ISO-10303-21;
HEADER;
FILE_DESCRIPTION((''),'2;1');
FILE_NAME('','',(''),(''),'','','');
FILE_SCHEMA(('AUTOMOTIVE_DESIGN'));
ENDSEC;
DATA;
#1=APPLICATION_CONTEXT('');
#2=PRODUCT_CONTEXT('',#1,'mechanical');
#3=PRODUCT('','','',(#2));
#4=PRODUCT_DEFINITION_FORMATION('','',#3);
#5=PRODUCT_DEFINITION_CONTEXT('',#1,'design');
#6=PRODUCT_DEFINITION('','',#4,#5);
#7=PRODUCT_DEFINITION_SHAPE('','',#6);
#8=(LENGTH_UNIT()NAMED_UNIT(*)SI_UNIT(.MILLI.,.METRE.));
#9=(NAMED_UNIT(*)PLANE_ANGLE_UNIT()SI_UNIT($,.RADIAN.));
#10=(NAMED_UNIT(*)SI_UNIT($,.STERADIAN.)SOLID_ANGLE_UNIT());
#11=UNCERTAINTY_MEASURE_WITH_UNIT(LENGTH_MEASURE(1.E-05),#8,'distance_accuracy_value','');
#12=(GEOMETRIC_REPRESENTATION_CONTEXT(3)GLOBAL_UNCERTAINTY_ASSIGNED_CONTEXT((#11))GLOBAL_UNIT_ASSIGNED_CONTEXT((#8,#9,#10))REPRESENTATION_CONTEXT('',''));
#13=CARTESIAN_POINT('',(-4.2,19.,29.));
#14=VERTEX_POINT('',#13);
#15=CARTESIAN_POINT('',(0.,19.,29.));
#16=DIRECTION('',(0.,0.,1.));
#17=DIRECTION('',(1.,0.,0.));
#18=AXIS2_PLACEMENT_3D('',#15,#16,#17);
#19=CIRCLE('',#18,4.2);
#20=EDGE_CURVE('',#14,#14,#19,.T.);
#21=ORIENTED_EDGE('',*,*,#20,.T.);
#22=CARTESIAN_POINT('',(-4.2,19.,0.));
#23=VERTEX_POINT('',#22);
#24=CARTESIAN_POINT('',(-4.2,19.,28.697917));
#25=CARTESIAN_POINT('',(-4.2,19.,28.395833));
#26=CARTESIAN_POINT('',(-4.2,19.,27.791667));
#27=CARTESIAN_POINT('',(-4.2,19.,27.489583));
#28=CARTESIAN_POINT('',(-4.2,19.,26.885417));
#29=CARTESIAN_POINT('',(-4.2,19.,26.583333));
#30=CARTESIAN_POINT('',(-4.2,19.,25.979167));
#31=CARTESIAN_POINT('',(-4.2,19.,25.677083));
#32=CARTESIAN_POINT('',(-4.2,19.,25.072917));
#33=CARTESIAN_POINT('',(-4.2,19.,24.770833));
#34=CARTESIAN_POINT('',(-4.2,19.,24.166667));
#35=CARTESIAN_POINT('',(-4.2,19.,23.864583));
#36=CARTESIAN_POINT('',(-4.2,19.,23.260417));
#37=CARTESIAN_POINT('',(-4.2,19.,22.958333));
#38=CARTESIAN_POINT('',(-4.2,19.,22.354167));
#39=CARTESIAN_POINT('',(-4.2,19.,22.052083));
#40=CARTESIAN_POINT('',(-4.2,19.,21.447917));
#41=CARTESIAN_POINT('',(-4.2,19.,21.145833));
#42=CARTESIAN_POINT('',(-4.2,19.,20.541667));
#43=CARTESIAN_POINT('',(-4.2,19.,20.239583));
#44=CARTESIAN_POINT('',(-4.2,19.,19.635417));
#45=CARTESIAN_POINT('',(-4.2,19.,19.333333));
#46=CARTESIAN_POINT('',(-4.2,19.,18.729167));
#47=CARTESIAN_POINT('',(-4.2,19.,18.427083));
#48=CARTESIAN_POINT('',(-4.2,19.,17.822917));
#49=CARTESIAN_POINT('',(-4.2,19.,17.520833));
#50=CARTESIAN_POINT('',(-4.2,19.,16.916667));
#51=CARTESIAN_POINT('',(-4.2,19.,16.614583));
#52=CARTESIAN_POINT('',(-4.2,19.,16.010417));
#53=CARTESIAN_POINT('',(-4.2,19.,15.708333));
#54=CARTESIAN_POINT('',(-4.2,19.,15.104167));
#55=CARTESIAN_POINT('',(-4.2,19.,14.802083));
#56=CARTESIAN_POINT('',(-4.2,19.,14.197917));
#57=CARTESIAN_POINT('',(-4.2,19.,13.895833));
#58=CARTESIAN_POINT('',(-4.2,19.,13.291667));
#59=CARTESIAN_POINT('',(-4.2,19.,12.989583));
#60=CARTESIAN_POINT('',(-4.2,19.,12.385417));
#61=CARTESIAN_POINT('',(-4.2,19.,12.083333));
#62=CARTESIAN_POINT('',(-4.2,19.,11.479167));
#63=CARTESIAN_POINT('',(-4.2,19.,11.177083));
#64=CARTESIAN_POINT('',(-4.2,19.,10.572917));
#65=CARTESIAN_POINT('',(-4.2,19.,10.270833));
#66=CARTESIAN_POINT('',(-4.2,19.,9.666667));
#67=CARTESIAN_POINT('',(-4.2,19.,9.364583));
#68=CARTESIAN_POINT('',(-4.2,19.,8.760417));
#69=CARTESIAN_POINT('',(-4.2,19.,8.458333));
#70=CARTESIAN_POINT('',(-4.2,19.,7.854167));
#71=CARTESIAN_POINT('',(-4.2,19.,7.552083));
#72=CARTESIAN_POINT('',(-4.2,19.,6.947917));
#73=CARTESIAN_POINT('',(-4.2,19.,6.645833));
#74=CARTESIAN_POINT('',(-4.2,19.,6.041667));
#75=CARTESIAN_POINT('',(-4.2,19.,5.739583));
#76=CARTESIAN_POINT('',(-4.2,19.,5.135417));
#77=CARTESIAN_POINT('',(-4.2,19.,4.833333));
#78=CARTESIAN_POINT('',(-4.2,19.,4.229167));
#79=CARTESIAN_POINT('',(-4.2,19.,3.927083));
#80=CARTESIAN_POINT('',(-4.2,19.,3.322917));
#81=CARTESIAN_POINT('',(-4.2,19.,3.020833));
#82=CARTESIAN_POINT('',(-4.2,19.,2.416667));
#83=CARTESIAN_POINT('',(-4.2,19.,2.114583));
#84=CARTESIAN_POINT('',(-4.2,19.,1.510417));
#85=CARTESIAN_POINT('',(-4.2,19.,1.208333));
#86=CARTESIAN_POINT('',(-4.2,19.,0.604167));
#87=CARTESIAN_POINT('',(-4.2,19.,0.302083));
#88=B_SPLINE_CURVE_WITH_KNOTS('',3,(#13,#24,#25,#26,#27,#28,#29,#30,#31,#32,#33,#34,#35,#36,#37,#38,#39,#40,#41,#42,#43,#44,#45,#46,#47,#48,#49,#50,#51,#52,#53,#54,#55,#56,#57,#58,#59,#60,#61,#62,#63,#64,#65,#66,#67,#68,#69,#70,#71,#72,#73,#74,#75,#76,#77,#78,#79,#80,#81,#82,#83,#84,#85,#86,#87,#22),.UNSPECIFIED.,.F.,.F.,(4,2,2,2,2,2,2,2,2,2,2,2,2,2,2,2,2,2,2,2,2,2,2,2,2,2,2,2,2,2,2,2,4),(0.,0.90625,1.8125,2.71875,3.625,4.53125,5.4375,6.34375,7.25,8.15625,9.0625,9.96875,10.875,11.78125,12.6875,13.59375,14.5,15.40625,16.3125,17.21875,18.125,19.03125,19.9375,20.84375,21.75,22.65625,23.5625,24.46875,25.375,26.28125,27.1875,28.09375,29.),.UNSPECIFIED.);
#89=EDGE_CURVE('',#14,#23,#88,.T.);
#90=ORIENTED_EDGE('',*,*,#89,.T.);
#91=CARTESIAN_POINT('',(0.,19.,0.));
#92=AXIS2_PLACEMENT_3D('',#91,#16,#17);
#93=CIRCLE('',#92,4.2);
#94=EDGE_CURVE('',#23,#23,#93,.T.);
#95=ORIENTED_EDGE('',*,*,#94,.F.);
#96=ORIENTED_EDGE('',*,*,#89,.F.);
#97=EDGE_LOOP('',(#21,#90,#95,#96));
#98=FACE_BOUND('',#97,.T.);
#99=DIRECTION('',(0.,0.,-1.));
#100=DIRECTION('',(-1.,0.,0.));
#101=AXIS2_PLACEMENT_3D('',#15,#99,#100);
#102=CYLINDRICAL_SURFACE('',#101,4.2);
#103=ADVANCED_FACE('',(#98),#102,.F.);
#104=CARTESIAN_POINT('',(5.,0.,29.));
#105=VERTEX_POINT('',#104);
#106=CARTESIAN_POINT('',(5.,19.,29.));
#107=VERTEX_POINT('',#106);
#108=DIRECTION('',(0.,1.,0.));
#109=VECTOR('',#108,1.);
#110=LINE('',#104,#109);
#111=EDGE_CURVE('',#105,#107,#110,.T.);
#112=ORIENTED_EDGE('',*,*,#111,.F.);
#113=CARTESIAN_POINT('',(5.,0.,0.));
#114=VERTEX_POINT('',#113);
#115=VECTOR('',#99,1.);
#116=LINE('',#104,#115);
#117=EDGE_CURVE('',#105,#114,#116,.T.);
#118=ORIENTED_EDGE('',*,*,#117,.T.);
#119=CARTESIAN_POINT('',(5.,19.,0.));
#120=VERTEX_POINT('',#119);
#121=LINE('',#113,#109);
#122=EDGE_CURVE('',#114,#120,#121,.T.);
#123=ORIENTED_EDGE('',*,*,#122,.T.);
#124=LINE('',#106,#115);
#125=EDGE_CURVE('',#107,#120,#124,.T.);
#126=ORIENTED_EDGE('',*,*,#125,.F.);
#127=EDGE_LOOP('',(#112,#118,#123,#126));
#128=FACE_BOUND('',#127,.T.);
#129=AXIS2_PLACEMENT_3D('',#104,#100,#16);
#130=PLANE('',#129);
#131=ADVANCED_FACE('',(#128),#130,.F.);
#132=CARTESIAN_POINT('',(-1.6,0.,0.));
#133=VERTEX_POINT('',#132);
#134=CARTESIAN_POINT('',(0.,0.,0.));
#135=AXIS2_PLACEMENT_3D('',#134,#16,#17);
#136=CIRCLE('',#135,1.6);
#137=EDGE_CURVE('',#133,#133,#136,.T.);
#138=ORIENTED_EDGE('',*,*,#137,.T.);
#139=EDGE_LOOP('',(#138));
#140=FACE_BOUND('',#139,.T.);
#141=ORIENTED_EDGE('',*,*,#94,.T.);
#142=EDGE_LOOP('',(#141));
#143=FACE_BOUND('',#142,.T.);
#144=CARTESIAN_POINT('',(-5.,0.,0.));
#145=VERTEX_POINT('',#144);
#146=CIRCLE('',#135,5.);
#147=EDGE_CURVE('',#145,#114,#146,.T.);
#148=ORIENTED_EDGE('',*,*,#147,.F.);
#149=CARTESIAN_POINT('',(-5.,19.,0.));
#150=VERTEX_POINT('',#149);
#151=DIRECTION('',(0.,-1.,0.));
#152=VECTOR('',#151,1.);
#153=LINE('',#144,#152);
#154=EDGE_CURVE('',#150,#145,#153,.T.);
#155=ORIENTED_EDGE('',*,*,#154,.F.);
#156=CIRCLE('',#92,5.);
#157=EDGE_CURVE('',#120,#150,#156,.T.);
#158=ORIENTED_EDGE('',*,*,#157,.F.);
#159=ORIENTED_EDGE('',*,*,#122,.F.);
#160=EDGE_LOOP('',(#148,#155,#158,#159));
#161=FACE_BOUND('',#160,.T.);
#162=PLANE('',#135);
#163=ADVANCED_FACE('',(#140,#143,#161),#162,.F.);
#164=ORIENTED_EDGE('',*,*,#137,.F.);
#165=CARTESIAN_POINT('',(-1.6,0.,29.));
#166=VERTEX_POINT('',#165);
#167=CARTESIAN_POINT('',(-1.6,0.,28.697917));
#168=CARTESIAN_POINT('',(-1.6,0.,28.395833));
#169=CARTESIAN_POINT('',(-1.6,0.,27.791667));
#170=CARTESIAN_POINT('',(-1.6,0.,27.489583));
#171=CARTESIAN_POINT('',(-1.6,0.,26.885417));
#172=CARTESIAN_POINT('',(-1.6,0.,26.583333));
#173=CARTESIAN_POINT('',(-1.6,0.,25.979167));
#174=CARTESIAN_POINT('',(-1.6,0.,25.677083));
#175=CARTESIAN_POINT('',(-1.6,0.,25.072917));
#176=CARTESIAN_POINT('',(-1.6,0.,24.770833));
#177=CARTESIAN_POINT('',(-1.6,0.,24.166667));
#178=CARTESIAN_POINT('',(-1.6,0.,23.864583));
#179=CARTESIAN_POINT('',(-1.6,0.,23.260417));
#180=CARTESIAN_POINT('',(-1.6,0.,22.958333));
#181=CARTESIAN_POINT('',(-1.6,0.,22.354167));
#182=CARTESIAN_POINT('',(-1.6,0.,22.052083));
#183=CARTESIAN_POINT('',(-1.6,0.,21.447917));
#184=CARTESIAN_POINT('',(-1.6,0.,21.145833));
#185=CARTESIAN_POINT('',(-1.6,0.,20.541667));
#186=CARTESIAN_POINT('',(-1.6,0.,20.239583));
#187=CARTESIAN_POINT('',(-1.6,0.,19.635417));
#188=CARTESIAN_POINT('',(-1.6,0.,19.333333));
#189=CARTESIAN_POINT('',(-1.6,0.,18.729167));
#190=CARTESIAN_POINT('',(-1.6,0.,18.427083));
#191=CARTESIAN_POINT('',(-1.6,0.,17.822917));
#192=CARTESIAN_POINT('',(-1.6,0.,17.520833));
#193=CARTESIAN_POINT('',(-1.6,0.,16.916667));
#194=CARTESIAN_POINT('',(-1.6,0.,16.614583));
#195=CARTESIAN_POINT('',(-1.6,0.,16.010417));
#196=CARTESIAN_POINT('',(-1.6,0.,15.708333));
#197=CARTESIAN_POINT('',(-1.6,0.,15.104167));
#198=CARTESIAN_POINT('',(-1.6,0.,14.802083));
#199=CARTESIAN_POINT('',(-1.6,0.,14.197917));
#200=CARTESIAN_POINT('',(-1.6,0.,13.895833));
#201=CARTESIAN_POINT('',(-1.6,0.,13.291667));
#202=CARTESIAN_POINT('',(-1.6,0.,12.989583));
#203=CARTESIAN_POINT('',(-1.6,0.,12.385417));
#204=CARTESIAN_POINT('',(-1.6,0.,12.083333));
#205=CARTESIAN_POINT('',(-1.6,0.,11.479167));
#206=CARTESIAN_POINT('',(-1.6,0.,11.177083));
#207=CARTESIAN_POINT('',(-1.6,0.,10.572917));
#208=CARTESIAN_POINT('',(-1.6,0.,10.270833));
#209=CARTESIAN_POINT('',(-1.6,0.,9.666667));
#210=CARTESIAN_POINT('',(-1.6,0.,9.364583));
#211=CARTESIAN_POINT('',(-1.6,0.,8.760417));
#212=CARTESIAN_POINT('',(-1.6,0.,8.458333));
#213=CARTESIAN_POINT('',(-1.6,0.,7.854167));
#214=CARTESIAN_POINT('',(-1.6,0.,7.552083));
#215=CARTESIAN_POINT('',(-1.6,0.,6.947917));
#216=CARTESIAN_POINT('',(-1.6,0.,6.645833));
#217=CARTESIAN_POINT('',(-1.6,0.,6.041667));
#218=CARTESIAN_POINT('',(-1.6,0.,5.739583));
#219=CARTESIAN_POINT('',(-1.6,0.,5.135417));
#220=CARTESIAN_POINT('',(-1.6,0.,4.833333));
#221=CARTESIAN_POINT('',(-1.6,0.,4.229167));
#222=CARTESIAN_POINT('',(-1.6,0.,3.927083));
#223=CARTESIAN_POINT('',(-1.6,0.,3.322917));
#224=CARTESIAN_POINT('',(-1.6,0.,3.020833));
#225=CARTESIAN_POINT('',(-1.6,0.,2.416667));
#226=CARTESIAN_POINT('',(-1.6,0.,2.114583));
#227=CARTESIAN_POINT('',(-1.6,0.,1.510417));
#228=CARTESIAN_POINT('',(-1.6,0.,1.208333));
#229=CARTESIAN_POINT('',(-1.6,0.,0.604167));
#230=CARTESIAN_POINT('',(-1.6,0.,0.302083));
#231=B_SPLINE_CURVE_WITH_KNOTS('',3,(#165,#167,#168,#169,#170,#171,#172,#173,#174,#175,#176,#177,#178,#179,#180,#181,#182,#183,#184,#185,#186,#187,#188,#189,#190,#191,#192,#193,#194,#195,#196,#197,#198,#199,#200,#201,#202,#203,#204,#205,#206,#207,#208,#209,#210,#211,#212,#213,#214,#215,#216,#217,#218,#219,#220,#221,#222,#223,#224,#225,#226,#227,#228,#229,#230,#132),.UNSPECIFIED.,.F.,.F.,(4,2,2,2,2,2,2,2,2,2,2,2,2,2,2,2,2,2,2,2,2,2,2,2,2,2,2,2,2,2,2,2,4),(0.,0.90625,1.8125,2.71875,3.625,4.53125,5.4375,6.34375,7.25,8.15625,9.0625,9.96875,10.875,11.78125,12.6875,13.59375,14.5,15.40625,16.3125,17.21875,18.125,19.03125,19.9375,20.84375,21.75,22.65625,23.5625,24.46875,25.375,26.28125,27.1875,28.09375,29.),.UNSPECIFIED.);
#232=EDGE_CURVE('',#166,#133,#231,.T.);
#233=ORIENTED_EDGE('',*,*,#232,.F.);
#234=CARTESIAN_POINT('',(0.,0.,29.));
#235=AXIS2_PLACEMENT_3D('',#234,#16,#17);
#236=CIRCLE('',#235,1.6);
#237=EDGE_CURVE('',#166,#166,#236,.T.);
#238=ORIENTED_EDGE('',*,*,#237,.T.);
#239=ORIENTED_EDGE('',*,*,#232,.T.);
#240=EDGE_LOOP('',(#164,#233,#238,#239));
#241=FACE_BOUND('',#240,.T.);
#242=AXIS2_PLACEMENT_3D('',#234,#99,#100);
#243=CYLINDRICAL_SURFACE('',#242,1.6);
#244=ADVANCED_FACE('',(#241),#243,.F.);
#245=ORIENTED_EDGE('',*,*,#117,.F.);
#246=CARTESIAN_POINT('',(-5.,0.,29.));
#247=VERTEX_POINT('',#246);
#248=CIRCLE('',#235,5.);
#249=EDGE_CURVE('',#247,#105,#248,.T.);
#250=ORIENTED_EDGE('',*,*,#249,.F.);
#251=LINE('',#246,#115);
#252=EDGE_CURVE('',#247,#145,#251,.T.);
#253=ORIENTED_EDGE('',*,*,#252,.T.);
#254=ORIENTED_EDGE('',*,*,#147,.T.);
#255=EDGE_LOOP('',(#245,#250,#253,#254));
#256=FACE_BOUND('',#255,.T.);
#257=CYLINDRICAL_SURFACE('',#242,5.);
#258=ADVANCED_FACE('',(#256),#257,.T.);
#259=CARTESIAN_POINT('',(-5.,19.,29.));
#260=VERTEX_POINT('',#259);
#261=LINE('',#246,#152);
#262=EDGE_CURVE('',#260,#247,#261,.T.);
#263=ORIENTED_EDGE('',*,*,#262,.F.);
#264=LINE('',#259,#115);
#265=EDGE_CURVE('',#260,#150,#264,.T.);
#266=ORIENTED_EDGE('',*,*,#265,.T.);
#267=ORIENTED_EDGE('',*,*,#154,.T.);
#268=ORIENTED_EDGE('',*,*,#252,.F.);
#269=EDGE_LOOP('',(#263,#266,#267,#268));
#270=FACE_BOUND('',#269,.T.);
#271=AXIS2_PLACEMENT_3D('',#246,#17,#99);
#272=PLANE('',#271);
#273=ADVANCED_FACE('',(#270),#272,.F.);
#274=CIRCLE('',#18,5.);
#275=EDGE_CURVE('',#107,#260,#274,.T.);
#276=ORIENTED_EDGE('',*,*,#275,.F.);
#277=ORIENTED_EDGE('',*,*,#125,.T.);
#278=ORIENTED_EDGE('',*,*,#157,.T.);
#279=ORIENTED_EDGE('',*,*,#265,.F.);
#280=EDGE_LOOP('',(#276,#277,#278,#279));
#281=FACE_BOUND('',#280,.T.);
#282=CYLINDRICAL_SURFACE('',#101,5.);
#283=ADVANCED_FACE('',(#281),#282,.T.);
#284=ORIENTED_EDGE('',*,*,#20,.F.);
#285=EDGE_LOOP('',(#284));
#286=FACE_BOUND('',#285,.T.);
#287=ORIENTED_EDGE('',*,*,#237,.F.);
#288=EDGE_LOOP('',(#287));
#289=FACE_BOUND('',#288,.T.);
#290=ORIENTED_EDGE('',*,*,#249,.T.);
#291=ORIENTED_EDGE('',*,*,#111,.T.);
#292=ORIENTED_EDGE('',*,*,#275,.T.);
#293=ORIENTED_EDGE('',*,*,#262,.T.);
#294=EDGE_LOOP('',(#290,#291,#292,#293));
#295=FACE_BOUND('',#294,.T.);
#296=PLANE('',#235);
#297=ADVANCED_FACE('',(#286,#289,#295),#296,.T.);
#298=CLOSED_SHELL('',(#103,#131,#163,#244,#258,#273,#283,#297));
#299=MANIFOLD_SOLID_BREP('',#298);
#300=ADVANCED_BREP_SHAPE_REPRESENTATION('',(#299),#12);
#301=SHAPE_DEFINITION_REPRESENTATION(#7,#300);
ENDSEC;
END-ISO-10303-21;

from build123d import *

# Parameters (mm, degrees)
SKETCH3_R           = 1.6
SKETCH3_R_2         = 4.2
BOSS_EXTRUDE1_DEPTH = 29


with BuildPart() as part:
    # Sketch3 → Boss-Extrude1 (new body)
    with BuildSketch(Plane(origin=(0, 0, 0), x_dir=(0, 1, 0), z_dir=(0, 0, 1))):
        with BuildLine():
            Line((0, 5), (19, 5))
            ThreePointArc((19, 5), (24, 0), (19, -5))
            Line((19, -5), (0, -5))
            ThreePointArc((0, -5), (-5, 0), (0, 5))
        make_face()
        with Locations(Location((0, 0, 0), (0, 0, 90))):
            Circle(SKETCH3_R, mode=Mode.SUBTRACT)
        with Locations(Location((19, 0, 0), (0, 0, 90))):
            Circle(SKETCH3_R_2, mode=Mode.SUBTRACT)
    extrude(amount=BOSS_EXTRUDE1_DEPTH)


solid = part.part
